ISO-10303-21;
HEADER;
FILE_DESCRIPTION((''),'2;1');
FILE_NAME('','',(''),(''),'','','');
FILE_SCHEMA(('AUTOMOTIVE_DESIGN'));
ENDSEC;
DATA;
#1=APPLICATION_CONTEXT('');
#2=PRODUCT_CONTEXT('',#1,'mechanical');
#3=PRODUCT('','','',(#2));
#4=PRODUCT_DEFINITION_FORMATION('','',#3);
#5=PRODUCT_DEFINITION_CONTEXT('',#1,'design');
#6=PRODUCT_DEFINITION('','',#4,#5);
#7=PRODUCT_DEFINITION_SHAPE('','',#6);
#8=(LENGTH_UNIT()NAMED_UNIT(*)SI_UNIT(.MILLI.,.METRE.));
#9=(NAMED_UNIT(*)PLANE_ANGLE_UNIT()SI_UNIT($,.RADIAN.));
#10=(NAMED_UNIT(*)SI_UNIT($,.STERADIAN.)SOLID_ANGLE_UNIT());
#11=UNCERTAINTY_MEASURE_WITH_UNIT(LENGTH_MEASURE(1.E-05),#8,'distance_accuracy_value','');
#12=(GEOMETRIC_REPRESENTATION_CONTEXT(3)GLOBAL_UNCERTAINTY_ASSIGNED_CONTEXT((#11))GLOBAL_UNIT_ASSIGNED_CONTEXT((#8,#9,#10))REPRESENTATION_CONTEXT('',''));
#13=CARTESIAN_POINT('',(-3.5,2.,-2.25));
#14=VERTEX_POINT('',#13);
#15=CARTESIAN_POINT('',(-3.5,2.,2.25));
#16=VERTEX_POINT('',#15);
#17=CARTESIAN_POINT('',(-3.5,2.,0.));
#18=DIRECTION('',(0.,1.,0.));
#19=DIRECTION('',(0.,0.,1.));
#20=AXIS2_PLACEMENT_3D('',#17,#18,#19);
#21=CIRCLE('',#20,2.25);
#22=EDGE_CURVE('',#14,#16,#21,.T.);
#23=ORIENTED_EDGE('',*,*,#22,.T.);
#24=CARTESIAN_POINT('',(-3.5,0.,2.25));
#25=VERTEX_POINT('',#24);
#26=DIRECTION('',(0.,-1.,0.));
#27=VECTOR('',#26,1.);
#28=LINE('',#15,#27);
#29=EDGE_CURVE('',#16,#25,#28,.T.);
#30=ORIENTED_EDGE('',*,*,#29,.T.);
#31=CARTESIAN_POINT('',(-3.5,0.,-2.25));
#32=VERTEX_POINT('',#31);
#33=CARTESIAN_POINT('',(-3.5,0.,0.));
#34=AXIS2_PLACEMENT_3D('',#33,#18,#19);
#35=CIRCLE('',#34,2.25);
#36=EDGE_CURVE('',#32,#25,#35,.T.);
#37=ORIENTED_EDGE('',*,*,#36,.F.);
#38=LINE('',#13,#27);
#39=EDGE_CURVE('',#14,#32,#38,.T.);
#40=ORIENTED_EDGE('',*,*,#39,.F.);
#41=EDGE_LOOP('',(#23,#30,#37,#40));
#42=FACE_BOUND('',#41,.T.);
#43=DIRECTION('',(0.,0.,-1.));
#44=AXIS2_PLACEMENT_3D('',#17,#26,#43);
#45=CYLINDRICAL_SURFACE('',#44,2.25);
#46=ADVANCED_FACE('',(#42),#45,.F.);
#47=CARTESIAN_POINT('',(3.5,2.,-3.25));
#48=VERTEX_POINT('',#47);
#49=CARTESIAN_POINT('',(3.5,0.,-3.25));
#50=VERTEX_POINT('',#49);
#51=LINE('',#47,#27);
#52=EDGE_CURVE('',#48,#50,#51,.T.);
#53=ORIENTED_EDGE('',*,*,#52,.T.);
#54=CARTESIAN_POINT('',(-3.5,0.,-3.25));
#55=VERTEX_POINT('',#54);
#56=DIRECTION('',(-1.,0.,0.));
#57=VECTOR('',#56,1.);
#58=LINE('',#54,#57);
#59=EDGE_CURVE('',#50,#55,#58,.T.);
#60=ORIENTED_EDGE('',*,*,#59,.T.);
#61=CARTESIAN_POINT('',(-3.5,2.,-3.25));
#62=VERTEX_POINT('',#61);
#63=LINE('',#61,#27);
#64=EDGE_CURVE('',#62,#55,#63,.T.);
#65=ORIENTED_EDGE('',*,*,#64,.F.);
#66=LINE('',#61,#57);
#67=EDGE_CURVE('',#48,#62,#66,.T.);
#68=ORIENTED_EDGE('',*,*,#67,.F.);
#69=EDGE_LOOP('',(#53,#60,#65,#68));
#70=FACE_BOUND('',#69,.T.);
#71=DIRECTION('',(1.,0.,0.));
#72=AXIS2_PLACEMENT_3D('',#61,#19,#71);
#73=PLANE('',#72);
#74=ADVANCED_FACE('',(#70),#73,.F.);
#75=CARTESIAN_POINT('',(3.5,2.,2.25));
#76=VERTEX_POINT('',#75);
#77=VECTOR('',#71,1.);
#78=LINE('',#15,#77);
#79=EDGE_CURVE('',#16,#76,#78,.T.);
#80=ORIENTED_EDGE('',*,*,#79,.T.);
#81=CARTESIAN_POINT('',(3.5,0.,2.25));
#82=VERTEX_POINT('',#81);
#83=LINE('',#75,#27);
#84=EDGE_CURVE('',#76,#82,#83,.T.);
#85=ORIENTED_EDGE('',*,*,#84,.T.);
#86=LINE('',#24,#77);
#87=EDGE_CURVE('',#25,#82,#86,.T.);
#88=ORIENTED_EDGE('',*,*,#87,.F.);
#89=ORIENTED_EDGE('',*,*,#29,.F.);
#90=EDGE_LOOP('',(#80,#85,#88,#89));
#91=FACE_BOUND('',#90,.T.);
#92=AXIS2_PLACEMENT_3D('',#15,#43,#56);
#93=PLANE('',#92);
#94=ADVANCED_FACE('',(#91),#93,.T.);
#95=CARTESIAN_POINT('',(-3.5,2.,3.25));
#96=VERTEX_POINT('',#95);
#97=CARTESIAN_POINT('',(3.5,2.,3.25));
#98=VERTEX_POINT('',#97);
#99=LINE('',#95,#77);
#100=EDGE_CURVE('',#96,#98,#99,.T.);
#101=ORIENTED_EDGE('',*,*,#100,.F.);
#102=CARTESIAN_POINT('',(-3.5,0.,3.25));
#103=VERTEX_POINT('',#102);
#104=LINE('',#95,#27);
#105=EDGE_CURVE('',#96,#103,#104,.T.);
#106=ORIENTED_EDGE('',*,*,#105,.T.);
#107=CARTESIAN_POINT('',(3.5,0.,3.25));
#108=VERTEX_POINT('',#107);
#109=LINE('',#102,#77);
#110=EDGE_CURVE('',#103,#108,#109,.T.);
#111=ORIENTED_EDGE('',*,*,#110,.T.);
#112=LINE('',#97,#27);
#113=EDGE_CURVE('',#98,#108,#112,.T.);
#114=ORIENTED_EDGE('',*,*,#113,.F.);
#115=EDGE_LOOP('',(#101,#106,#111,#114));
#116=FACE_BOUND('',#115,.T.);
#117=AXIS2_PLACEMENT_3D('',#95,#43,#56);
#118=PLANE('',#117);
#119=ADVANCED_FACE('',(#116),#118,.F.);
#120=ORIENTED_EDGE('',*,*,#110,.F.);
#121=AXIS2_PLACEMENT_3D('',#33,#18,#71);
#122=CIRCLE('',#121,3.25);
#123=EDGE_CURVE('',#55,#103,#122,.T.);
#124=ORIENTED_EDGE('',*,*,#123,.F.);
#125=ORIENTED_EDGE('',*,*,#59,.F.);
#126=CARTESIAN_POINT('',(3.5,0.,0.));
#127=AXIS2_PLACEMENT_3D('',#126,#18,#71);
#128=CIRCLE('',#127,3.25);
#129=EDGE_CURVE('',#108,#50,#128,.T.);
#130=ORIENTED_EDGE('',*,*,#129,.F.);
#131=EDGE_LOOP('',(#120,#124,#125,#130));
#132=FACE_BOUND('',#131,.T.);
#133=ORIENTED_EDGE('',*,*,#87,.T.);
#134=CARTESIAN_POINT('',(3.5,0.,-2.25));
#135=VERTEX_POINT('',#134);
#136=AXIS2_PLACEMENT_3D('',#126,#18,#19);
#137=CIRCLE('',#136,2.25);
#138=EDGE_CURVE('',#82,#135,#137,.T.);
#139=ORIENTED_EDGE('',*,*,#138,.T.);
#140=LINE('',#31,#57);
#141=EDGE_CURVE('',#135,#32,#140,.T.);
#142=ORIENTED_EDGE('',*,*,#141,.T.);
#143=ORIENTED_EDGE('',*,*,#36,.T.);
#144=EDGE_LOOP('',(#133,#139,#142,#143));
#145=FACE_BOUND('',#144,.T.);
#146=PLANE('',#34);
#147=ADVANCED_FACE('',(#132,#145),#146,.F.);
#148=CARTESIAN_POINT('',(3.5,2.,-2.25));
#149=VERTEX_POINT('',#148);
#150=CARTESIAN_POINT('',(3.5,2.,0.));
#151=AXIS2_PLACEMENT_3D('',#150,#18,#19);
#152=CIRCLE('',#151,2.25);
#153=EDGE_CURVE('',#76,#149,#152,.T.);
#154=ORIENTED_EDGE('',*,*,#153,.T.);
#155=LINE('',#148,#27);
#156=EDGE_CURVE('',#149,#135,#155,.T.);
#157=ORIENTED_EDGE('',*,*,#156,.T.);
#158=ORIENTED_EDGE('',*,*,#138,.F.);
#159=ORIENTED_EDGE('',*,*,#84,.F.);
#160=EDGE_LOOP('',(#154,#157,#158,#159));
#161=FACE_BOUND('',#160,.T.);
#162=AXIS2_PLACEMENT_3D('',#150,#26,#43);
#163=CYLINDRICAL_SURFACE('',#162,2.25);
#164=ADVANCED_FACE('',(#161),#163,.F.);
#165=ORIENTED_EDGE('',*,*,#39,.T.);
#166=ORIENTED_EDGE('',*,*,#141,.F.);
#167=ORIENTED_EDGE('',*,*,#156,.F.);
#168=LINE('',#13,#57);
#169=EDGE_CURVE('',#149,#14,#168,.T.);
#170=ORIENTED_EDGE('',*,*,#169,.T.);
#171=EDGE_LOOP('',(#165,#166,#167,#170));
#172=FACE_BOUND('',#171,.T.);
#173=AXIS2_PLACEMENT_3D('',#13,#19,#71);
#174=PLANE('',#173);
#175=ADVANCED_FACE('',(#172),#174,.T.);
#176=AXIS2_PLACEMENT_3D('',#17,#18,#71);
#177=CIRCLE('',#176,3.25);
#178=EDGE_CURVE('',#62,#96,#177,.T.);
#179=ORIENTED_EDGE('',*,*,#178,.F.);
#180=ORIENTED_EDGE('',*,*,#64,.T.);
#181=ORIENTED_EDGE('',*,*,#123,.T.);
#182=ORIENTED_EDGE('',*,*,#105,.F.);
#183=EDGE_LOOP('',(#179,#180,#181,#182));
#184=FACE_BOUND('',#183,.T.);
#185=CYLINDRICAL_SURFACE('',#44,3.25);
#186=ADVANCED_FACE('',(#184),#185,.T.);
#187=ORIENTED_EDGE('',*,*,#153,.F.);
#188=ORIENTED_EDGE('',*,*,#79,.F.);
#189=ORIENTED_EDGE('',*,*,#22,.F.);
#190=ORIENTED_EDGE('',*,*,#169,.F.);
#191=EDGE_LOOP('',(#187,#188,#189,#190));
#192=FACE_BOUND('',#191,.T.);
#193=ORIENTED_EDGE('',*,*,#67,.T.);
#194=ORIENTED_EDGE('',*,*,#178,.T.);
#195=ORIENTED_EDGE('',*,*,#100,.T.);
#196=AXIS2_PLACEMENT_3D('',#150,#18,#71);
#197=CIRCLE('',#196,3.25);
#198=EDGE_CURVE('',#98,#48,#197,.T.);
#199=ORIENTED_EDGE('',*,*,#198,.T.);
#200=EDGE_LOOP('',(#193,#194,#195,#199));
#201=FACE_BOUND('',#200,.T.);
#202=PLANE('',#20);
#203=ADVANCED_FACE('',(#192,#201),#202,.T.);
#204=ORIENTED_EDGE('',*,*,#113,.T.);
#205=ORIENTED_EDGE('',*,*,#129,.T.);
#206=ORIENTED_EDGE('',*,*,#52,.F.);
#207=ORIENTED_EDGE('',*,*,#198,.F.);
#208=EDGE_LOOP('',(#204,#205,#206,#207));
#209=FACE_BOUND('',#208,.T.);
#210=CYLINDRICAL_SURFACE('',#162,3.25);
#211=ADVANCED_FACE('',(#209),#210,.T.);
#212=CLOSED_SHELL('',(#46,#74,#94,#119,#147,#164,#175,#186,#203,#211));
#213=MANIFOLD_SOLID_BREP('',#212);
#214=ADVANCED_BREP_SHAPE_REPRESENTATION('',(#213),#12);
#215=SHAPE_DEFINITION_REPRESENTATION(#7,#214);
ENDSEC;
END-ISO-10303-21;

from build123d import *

# Parameters (mm, degrees)
VYSUNOUT_TENKOST_NN_1_DEPTH = 2


with BuildPart() as part:
    # Skica1 → Vysunout tenkostěnný1 (new body)
    with BuildSketch(Plane(origin=(0, 0, 0), x_dir=(1, 0, 0), z_dir=(0, 1, 0))):
        with BuildLine():
            Line((3.5, -3.25), (-3.5, -3.25))
            ThreePointArc((-3.5, -3.25), (-6.75, 0), (-3.5, 3.25))
            Line((-3.5, 3.25), (3.5, 3.25))
            ThreePointArc((3.5, 3.25), (6.75, 0), (3.5, -3.25))
        make_face()
        with BuildLine():
            Line((3.5, -2.25), (-3.5, -2.25))
            ThreePointArc((-3.5, -2.25), (-5.75, 0), (-3.5, 2.25))
            Line((-3.5, 2.25), (3.5, 2.25))
            ThreePointArc((3.5, 2.25), (5.75, 0), (3.5, -2.25))
        make_face(mode=Mode.SUBTRACT)
    extrude(amount=VYSUNOUT_TENKOST_NN_1_DEPTH)


solid = part.part
